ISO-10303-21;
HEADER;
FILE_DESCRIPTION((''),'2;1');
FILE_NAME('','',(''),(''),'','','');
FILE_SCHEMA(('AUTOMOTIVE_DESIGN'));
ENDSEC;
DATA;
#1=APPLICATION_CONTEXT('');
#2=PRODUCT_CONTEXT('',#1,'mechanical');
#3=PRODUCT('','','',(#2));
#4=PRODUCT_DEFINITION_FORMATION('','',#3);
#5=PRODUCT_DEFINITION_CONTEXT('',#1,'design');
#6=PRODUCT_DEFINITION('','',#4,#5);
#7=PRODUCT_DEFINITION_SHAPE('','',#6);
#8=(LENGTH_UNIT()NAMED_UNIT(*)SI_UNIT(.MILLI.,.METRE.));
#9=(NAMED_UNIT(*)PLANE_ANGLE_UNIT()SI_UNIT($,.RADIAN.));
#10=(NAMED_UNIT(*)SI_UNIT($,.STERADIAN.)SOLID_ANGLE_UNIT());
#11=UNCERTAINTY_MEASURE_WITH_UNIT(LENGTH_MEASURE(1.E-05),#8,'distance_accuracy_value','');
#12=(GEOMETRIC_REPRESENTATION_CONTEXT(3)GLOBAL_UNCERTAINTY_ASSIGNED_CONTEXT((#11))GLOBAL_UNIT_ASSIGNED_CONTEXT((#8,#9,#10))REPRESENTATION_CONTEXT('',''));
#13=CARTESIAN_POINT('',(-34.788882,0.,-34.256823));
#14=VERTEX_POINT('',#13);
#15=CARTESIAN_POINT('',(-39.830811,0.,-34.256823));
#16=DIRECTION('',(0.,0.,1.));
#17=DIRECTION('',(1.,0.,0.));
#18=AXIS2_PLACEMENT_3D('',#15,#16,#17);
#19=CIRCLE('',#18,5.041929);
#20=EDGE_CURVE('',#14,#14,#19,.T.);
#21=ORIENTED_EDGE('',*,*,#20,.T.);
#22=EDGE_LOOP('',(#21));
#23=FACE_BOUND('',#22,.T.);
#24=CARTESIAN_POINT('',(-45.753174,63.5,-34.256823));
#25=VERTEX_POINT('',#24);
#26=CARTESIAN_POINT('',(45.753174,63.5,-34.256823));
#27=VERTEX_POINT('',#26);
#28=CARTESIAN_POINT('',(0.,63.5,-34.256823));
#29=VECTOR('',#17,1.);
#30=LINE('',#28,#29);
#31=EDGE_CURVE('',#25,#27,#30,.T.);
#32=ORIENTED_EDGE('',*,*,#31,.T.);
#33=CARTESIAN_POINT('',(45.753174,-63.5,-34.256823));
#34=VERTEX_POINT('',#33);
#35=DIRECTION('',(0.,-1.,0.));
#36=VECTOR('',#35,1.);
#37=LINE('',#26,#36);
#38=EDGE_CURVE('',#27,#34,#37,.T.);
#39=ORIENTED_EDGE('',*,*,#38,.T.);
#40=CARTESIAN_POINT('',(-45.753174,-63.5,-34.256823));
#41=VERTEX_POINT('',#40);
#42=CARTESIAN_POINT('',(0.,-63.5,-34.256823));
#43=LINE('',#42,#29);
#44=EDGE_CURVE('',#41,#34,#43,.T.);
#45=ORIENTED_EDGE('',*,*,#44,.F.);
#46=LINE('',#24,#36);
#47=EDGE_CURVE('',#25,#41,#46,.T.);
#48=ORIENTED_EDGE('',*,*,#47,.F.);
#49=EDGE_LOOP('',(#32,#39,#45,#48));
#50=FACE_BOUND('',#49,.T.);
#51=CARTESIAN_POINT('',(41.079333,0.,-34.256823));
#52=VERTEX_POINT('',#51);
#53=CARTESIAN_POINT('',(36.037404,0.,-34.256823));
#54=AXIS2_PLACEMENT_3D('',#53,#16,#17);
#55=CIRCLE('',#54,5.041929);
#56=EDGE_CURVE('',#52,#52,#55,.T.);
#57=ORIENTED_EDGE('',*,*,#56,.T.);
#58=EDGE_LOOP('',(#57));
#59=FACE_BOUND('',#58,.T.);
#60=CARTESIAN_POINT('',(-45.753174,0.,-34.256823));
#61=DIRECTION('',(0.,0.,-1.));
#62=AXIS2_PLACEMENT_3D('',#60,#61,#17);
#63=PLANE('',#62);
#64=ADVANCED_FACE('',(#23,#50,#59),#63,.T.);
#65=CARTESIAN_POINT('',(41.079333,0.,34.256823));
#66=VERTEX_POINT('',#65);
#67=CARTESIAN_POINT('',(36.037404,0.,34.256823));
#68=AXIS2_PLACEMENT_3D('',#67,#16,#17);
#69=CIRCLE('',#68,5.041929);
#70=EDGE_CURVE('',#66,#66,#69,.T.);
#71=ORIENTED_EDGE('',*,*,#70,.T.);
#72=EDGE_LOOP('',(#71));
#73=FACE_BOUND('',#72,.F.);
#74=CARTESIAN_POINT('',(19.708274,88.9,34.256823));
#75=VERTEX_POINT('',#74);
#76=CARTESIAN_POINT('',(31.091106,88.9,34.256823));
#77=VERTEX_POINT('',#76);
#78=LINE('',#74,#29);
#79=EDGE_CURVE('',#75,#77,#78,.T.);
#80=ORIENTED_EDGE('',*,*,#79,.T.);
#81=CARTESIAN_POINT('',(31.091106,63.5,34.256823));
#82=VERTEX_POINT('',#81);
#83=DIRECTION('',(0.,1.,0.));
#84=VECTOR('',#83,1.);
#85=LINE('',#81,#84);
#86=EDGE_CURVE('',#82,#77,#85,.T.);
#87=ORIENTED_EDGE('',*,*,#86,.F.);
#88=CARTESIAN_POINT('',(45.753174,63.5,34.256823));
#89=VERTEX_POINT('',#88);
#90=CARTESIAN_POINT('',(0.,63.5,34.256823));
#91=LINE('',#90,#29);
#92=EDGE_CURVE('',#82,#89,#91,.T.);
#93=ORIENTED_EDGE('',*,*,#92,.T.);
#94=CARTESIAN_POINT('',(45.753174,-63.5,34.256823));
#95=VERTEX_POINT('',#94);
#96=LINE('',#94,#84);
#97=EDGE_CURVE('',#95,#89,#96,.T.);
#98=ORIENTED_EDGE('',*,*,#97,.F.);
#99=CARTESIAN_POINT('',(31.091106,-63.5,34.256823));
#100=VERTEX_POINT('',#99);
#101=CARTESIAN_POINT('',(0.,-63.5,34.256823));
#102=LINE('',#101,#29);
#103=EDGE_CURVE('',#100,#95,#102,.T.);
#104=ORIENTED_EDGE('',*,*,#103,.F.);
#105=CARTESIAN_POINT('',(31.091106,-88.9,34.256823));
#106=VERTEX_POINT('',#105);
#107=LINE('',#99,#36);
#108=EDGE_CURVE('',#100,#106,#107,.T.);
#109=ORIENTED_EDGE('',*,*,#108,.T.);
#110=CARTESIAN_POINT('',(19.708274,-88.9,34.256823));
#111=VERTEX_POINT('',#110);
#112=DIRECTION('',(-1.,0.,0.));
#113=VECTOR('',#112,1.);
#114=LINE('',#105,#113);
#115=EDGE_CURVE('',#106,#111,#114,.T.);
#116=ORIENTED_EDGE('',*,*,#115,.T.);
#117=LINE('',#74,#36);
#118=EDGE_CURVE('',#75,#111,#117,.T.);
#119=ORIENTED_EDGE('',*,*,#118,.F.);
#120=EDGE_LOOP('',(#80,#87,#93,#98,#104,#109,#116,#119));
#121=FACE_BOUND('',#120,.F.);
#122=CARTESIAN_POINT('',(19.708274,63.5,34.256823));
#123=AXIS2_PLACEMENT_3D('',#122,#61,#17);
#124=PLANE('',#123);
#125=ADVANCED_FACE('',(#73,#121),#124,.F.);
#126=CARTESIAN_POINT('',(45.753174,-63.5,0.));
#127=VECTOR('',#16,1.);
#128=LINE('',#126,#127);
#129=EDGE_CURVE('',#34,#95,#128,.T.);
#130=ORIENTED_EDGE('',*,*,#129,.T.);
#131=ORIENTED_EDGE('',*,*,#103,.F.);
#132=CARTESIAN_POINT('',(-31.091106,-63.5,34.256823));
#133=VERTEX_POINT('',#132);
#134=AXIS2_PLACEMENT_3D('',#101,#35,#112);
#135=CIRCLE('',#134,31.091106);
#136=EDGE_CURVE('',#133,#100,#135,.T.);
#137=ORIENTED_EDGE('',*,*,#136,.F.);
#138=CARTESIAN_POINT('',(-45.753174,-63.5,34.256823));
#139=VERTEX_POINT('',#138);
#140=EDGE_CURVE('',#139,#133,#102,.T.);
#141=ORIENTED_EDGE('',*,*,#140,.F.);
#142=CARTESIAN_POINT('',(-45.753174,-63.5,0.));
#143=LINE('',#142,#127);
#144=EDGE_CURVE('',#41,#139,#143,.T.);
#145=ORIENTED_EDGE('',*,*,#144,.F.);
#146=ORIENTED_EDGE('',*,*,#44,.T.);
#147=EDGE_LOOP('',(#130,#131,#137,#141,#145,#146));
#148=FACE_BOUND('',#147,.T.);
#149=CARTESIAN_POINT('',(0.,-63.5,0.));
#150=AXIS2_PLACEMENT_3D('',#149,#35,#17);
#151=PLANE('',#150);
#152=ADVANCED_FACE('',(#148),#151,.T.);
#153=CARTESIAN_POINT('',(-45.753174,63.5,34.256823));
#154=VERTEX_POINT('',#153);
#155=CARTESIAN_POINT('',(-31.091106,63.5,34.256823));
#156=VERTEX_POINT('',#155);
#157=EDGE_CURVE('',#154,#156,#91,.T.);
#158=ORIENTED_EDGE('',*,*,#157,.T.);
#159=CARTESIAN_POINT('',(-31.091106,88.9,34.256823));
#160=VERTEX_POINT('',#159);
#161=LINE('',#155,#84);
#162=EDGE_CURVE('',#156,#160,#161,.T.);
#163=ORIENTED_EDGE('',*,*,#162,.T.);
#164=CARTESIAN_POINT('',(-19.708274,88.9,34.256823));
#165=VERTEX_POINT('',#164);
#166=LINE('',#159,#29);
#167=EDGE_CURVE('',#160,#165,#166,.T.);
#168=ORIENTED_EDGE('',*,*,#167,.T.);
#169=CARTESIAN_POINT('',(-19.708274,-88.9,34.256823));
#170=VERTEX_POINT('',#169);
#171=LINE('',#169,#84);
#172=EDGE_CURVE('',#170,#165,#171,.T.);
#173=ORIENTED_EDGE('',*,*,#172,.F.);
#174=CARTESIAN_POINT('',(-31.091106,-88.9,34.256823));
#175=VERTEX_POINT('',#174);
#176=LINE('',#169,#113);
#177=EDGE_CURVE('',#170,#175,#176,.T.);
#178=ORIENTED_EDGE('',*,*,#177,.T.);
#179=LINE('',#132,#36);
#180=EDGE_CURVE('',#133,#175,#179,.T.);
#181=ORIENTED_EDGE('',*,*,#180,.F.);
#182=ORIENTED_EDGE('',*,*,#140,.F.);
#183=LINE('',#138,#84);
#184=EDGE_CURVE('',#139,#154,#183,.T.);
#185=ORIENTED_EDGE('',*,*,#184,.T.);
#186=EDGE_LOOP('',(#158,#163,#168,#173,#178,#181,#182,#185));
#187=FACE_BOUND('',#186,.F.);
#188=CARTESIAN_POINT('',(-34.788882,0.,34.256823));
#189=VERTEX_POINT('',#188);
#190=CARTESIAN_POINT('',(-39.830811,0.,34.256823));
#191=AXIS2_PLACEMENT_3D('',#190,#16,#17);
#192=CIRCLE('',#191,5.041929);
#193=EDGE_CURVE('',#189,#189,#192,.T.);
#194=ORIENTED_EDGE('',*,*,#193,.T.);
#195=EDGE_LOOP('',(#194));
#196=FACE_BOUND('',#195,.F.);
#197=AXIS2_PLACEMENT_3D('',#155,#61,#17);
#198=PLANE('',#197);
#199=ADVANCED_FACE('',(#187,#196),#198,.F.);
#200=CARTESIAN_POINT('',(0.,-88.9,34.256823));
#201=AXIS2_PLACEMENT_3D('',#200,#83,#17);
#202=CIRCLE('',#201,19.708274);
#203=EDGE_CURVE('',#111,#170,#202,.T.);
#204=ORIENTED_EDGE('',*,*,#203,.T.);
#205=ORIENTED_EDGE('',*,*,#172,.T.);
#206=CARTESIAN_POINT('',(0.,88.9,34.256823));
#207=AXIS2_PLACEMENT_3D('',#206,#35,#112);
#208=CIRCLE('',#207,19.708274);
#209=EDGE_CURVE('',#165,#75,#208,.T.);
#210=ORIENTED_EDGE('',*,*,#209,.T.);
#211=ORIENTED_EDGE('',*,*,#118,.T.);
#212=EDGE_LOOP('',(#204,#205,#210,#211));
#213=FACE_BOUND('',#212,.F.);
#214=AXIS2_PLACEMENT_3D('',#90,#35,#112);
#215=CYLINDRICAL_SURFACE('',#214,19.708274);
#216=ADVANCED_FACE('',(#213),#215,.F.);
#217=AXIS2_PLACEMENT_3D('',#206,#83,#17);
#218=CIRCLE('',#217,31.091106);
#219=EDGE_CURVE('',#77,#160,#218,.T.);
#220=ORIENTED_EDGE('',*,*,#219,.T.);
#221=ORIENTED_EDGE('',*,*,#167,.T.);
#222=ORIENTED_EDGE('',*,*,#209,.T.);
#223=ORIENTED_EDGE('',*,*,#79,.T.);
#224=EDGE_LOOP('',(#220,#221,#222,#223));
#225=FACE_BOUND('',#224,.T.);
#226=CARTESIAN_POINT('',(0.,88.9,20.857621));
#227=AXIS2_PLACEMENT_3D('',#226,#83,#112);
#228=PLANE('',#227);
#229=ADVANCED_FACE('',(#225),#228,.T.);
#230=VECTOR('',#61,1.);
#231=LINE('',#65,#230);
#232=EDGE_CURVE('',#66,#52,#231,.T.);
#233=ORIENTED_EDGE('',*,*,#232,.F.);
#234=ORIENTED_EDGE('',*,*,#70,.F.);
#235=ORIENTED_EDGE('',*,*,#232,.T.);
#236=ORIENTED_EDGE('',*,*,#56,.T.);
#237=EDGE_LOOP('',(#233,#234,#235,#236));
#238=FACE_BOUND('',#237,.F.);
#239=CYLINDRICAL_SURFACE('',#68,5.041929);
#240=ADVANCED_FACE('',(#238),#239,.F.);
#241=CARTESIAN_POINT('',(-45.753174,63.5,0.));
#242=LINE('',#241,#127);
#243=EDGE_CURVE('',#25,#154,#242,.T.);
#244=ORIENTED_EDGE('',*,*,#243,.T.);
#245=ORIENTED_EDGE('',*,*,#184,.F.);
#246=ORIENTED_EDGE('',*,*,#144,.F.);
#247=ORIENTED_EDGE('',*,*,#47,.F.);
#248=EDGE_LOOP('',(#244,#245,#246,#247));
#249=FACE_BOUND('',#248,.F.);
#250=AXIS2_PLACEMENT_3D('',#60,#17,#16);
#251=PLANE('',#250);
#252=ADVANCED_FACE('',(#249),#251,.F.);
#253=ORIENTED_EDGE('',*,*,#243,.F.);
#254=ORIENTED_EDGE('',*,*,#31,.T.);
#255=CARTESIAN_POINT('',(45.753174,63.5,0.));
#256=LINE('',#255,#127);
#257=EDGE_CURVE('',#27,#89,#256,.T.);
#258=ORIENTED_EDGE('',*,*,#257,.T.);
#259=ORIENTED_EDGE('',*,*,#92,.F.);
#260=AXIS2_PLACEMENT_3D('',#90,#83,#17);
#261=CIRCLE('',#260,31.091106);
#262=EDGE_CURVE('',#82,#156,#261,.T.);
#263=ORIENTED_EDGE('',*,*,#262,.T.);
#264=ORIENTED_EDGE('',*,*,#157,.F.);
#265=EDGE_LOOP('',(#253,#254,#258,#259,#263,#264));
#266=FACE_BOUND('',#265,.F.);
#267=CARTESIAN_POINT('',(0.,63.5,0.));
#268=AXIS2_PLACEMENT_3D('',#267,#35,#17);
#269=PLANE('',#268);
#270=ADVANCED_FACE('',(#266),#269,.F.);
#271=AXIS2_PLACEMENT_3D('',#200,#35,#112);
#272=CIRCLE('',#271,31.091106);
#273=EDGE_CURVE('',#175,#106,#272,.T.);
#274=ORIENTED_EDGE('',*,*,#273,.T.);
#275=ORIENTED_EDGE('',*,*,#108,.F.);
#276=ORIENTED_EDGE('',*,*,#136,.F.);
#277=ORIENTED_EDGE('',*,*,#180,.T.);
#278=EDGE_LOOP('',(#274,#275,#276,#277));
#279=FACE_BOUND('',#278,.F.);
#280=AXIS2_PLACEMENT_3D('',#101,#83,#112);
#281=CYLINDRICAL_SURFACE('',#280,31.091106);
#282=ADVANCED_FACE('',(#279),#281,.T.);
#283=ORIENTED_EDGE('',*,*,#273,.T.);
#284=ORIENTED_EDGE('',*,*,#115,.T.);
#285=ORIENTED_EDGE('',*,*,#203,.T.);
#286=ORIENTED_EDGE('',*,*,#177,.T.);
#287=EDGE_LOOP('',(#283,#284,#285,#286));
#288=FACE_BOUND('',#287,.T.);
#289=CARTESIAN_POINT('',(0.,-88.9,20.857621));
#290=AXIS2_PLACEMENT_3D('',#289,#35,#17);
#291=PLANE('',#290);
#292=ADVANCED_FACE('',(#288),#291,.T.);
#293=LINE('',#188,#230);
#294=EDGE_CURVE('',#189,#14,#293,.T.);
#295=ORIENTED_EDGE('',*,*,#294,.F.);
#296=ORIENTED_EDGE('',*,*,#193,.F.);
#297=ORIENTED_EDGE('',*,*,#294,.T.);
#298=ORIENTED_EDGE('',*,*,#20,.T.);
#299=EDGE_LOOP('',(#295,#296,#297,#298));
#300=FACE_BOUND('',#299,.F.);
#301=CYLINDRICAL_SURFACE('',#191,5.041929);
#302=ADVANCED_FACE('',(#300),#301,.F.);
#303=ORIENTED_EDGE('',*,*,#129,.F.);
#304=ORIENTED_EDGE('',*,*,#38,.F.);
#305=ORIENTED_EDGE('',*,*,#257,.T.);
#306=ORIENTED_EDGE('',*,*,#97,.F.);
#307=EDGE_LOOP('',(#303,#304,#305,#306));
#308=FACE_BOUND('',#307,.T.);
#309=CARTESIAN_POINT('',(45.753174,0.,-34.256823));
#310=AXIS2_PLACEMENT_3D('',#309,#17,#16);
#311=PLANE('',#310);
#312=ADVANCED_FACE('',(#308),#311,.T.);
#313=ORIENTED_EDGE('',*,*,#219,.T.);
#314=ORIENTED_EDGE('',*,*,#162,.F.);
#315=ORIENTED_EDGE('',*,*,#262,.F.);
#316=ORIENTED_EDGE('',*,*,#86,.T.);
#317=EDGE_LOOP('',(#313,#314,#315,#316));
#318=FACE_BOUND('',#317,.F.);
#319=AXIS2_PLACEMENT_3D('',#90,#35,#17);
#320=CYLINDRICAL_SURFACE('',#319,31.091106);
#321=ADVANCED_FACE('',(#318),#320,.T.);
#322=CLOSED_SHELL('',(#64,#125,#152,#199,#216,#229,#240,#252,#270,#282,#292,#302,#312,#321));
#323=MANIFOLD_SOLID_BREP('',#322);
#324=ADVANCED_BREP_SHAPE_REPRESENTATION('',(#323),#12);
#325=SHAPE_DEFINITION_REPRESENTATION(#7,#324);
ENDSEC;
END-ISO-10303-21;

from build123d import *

# Parameters (mm, degrees)
F0_W     = 91.506348
F0_H     = 68.513646
F1_DEPTH = 63.5
F3_DEPTH = 25.4
F5_DEPTH = 152.401
F7_DEPTH = 25.4
F8_R     = 5.041929
F9_DEPTH = 68.514647


with BuildPart() as f1:
    # F0 (on Front) → F1 (new body, symmetric)
    with BuildSketch(Plane.XZ):
        Rectangle(F0_W, F0_H)
    extrude(amount=F1_DEPTH, both=True)

    # F2 (on face) → F3 (join)
    with BuildSketch(Plane.XZ.offset(63.5)):
        with BuildLine():
            Line((-19.708274, 34.256823), (-31.091106, 34.256823))
            ThreePointArc((-31.091106, 34.256823), (0, 3.165717), (31.091106, 34.256823))
            Line((31.091106, 34.256823), (19.708274, 34.256823))
            ThreePointArc((19.708274, 34.256823), (0, 14.548549), (-19.708274, 34.256823))
        make_face()
    extrude(amount=F3_DEPTH)

    # F4 (on face) → F5 (cut, through all)
    with BuildSketch(Plane.XZ.offset(88.9)):
        with BuildLine():
            Line((19.708274, 34.256823), (-19.708274, 34.256823))
            ThreePointArc((-19.708274, 34.256823), (0, 14.548549), (19.708274, 34.256823))
        make_face()
    extrude(amount=-F5_DEPTH, mode=Mode.SUBTRACT)

    # F6 (on face) → F7 (join)
    with BuildSketch(Plane(origin=(0, 63.5, 0), x_dir=(-1, 0, 0), z_dir=(0, 1, 0))):
        with BuildLine():
            ThreePointArc((-31.091106, 34.256823), (0, 3.165717), (31.091106, 34.256823))
            Line((31.091106, 34.256823), (19.708274, 34.256823))
            ThreePointArc((19.708274, 34.256823), (0, 14.548549), (-19.708274, 34.256823))
            Line((-19.708274, 34.256823), (-31.091106, 34.256823))
        make_face()
    extrude(amount=F7_DEPTH)

    # F8 (on face) → F9 (cut, through all)
    with BuildSketch(Plane.XY.offset(34.256823)):
        with Locations((36.037404, 0)):
            Circle(F8_R)
        with Locations((-39.830811, 0)):
            Circle(F8_R)
    extrude(amount=-F9_DEPTH, mode=Mode.SUBTRACT)


solid = f1.part
